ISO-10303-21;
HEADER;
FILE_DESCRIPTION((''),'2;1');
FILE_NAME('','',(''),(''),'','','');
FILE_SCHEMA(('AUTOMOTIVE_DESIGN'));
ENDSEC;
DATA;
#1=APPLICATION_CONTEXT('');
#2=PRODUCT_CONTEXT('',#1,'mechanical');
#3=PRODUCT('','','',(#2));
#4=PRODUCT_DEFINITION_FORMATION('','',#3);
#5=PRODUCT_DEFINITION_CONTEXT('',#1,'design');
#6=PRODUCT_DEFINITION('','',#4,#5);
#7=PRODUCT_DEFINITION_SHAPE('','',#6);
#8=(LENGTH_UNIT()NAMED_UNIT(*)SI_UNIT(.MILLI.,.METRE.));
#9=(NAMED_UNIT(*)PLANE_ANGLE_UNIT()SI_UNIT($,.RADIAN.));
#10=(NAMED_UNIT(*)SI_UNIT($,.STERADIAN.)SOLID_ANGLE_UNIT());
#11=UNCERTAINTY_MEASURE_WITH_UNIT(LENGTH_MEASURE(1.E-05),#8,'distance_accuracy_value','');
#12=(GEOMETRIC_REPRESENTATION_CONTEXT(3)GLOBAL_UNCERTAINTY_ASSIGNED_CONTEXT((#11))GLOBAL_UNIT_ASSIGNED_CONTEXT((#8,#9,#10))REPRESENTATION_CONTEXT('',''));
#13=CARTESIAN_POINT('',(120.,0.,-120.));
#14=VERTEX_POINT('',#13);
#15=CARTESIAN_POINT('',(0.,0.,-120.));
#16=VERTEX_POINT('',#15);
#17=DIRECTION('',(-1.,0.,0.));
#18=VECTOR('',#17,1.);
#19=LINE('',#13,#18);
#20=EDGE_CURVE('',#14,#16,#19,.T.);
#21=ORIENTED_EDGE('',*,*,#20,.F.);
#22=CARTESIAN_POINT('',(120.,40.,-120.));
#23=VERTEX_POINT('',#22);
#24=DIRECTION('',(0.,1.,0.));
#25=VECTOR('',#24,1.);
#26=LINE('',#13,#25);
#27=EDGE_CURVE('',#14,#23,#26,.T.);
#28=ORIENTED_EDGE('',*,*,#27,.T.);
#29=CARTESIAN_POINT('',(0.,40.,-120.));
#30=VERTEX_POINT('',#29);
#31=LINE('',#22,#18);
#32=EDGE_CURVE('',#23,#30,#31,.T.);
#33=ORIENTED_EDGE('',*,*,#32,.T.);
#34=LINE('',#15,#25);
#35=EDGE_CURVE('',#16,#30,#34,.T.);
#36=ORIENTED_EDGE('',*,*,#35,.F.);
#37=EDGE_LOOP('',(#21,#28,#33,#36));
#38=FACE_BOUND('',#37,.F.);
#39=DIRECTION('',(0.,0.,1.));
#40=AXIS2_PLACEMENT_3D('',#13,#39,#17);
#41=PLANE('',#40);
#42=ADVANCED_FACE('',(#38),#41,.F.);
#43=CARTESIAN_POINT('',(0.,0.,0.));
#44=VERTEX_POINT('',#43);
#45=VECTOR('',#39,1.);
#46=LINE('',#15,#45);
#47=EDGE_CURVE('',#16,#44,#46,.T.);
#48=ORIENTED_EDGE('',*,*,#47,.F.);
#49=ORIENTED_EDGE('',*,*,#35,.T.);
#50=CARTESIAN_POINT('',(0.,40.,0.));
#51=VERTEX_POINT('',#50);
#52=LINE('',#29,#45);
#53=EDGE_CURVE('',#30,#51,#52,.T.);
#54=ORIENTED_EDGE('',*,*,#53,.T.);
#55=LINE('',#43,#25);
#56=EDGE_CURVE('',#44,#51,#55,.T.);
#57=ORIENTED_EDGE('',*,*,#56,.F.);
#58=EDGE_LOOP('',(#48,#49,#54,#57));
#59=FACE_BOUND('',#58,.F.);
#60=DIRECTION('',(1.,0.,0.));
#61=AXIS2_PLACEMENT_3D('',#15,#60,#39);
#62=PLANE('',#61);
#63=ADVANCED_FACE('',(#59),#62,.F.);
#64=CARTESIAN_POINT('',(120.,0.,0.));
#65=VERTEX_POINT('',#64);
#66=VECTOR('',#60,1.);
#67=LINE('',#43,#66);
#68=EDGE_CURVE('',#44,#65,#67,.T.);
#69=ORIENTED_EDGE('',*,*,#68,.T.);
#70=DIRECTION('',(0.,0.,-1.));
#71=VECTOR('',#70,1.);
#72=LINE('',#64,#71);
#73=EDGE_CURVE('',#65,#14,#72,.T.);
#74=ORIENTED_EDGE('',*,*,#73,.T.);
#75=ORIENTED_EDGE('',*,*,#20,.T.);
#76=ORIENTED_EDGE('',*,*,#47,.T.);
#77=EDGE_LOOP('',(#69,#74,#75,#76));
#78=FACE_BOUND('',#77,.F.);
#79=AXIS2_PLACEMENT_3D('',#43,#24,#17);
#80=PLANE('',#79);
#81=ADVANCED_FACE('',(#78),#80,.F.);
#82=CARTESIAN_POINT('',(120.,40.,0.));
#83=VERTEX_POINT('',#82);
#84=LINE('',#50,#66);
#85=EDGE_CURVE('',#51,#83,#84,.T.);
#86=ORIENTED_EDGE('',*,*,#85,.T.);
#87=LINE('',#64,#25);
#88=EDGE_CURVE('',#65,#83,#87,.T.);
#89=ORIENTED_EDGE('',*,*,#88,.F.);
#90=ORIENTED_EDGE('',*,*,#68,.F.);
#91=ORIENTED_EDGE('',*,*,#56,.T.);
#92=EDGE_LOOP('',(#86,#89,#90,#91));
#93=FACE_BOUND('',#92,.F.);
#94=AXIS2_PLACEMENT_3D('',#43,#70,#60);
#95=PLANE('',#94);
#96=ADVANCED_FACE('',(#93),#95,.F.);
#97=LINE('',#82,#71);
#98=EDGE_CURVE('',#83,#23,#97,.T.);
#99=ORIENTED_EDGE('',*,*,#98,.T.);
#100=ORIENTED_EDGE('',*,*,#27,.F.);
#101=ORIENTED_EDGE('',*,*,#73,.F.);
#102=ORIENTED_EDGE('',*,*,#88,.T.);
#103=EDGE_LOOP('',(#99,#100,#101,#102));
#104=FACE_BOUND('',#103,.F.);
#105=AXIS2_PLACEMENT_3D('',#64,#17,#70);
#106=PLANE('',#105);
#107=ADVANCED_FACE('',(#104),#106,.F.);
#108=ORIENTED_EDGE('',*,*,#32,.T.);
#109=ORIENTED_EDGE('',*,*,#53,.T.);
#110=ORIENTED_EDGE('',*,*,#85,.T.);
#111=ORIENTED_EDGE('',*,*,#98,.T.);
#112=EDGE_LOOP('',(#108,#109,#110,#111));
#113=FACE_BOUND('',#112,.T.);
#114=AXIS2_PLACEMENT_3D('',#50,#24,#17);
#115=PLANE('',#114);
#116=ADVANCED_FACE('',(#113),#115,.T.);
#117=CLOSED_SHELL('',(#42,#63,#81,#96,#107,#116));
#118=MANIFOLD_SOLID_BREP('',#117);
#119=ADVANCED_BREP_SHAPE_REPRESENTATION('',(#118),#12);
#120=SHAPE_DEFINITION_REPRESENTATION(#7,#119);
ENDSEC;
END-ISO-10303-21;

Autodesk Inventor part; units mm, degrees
ref_plane "YZ Plane" through (0, 0, 0) normal (1, 0, 0) x (0, 1, 0)
ref_plane "XZ Plane" through (0, 0, 0) normal (0, 1, 0) x (-1, 0, 0)
ref_plane "XY Plane" through (0, 0, 0) normal (0, 0, 1) x (1, 0, 0)
sketch "スケッチ1" plane through (0, 0, 0) normal (0, 1, 0) x (-1, 0, 0)
  line L0 (0, 0) -> (-120, 0)
  line L1 (-120, 0) -> (-120, -120)
  line L2 (-120, -120) -> (0, -120)
  line L3 (0, -120) -> (0, 0)
  dimension "d0" = 120
  dimension "d1" = 120
extrude "押し出し1" add sketch "スケッチ1" along normal blind 40
properties part number "nuc"
